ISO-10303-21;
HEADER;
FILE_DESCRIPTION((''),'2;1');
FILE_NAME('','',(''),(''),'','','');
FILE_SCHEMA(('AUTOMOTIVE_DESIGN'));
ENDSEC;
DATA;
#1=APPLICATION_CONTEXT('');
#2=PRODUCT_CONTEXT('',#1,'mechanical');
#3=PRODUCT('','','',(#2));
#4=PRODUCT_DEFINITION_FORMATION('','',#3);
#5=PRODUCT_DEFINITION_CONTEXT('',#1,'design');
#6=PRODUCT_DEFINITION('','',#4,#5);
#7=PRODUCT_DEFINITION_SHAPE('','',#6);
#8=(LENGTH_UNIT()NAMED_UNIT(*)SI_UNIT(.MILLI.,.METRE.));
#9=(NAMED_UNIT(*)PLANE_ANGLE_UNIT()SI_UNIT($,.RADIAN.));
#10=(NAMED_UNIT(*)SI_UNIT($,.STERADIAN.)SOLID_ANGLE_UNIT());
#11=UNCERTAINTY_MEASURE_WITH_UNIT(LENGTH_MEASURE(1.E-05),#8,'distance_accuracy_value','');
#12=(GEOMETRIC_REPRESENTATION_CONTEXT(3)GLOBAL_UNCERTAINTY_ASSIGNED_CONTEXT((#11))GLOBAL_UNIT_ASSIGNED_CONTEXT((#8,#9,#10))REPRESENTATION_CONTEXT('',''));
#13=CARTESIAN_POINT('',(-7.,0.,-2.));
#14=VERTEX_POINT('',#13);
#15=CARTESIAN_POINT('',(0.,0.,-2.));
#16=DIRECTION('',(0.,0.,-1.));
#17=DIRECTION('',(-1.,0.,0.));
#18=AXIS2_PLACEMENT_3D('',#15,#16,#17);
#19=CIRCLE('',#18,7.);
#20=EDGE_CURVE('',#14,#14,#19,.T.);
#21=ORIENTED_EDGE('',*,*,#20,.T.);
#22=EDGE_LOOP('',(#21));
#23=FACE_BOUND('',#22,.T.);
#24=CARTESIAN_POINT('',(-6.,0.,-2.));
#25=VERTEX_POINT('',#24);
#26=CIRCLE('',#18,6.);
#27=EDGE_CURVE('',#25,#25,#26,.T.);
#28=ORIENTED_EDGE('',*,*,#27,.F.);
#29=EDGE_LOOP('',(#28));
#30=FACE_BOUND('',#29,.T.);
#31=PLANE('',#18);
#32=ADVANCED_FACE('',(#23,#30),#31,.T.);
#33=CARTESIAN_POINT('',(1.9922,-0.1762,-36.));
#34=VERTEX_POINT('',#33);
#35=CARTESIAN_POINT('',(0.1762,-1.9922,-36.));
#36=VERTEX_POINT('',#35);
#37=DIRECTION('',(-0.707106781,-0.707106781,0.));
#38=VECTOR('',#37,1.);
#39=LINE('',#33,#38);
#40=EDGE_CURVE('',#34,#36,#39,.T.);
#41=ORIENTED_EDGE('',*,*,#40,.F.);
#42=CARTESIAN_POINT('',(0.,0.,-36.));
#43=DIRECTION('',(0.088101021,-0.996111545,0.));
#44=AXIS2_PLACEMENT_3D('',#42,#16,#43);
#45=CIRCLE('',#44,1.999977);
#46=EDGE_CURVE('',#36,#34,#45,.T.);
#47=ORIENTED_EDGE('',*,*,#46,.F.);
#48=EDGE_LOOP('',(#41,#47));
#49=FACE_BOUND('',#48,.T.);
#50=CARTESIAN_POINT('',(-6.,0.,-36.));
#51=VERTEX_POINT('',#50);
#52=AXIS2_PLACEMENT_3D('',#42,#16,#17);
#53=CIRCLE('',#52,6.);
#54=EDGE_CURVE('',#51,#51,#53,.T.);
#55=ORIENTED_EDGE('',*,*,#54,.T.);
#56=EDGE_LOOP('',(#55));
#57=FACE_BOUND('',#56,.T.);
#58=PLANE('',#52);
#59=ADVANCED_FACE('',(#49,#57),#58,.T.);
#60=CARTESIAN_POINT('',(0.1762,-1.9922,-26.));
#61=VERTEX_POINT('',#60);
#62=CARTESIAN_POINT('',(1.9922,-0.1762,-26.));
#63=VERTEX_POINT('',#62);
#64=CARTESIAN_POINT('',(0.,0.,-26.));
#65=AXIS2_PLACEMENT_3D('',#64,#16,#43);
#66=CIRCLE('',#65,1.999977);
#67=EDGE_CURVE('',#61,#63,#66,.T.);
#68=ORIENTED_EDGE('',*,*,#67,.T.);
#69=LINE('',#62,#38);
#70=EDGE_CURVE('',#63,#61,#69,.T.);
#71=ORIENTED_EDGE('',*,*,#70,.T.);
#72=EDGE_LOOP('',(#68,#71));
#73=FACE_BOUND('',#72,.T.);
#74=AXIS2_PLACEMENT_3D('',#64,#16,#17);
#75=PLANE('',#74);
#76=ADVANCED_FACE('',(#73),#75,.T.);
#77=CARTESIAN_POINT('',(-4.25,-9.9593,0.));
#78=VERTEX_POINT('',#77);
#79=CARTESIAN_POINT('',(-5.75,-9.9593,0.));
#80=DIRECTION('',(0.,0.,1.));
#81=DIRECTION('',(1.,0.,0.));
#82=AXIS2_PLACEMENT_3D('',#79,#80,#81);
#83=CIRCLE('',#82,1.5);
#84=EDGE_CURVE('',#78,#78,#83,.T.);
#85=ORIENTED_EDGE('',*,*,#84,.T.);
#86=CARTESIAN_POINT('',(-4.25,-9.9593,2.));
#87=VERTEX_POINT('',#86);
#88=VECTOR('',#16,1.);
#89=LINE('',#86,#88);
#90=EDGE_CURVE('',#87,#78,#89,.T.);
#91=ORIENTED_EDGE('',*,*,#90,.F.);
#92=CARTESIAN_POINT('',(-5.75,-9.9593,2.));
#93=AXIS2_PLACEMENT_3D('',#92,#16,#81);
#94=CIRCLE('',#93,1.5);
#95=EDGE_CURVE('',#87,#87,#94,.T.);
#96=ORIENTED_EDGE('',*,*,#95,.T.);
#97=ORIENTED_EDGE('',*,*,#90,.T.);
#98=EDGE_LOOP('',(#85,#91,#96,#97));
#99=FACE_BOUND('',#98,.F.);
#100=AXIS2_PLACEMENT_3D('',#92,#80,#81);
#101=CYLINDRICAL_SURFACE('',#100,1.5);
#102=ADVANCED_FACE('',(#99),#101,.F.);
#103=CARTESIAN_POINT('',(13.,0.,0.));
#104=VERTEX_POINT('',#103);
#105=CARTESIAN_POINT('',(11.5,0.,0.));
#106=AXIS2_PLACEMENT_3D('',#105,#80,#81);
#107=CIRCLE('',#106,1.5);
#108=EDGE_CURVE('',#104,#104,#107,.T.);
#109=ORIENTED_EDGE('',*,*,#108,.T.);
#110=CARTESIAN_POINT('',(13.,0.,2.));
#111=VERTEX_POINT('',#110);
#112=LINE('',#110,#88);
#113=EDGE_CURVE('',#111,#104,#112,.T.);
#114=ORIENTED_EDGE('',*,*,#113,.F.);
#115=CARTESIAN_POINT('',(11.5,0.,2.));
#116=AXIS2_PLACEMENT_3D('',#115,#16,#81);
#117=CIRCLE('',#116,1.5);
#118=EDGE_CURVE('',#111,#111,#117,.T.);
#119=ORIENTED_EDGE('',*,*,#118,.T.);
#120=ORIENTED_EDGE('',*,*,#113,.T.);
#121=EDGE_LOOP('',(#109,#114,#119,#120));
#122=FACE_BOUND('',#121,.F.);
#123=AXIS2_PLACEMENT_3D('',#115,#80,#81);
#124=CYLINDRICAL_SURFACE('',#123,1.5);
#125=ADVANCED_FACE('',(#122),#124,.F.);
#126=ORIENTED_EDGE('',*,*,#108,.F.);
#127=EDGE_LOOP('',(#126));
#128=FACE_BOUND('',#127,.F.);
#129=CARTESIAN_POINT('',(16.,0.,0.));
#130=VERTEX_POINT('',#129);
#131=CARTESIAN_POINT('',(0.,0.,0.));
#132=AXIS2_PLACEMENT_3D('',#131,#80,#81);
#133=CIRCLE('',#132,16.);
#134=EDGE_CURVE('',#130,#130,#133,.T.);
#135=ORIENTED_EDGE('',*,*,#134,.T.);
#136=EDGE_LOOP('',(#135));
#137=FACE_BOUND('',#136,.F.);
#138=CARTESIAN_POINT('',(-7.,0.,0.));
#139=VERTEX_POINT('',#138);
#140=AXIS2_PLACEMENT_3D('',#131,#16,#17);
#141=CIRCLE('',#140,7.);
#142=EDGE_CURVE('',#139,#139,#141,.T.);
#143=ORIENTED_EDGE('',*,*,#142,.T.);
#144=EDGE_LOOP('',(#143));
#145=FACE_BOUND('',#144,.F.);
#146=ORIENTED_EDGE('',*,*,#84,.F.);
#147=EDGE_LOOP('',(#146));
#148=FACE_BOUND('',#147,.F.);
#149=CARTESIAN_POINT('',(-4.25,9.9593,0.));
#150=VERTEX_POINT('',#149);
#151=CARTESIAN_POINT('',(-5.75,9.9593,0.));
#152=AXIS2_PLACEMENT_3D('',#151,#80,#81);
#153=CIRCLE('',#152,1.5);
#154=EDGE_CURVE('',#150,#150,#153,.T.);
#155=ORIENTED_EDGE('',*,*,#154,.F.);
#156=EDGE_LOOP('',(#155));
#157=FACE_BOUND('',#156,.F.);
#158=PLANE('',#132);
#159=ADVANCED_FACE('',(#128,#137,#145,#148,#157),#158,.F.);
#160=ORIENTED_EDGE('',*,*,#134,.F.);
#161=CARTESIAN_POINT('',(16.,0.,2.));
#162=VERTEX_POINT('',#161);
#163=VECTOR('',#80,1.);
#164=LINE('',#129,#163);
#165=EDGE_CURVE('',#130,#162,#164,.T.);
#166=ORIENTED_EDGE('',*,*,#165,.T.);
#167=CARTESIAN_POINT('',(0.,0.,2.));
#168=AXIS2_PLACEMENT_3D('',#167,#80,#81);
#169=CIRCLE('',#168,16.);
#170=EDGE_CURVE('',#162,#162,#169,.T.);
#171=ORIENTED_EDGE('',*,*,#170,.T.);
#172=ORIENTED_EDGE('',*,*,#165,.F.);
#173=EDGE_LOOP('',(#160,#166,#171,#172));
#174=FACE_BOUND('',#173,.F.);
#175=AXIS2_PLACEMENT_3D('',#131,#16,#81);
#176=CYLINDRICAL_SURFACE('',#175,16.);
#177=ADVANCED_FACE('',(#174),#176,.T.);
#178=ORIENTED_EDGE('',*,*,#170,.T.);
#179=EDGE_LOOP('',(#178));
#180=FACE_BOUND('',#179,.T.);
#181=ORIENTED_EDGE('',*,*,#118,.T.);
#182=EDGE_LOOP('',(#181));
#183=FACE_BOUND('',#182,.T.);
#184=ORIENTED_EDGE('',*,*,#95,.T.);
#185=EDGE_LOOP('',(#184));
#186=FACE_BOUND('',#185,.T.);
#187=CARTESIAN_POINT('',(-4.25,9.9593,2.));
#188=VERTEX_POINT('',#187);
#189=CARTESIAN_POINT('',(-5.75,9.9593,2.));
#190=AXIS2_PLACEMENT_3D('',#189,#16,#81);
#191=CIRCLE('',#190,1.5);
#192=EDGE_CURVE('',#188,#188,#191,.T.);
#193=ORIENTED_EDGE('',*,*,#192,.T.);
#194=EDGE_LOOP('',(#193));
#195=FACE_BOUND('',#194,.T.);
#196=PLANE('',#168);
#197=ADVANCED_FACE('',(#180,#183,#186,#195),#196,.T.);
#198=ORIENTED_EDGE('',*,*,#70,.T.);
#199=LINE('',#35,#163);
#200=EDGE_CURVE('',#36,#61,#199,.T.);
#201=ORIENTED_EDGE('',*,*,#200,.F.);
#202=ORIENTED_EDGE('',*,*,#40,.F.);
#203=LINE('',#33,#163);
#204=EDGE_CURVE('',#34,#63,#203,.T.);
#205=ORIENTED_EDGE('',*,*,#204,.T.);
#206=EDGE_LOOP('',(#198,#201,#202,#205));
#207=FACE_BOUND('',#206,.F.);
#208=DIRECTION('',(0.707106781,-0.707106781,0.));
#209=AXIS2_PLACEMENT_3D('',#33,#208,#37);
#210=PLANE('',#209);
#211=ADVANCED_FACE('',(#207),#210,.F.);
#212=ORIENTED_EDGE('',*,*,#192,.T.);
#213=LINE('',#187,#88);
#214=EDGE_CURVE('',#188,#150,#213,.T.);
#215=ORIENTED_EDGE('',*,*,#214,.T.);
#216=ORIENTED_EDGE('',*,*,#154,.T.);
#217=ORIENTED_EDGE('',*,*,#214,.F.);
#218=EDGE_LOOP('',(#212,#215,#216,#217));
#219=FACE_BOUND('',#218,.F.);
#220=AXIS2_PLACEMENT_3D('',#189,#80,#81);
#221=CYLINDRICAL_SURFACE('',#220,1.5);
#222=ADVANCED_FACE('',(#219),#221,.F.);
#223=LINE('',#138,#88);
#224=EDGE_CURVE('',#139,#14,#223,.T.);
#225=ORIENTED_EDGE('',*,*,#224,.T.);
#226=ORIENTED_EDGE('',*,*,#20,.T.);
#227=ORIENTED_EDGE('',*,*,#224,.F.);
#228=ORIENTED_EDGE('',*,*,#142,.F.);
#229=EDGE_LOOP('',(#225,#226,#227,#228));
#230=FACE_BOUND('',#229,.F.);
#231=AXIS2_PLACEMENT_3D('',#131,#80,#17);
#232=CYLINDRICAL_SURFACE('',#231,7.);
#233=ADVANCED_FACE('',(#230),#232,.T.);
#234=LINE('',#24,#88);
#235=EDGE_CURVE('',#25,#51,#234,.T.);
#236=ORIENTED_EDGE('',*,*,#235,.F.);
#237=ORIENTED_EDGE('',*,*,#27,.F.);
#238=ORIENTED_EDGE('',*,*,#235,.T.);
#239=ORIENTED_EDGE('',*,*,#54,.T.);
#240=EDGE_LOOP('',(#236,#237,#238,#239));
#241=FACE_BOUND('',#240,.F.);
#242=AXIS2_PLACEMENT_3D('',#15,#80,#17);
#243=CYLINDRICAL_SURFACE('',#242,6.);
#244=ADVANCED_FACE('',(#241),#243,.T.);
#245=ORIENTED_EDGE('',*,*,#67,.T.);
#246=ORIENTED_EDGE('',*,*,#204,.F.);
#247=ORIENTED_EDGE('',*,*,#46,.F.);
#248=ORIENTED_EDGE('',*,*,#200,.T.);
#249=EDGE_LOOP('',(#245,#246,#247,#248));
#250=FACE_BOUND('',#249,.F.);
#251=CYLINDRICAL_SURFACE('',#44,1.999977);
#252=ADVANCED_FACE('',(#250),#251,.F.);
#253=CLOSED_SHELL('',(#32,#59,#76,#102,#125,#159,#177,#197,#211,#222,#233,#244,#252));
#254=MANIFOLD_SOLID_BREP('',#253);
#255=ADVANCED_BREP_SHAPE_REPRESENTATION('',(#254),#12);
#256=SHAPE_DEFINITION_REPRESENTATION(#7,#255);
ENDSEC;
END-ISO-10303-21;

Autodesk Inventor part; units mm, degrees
ref_plane "YZ Plane" through (0, 0, 0) normal (1, 0, 0) x (0, 1, 0)
ref_plane "XZ Plane" through (0, 0, 0) normal (0, 1, 0) x (-1, 0, 0)
ref_plane "XY Plane" through (0, 0, 0) normal (0, 0, 1) x (1, 0, 0)
sketch "Skizze1" plane through (0, 0, 0) normal (0, 0, 1) x (1, 0, 0)
  circle A0 centre (0, 0) radius 16
  dimension "d0" = 32
extrude "Befestigungsfläche" add sketch "Skizze1" along normal blind 2
sketch "Skizze2" plane through (0, 0, 0) normal (0, 0, -1) x (-1, 0, 0)
  circle A0 centre (0, 0) radius 7
  dimension "d4" = 14
extrude "Mittelfläche" add sketch "Skizze2" along normal blind 2
sketch "Skizze3" plane through (0, 0, -2) normal (0, 0, -1) x (-1, 0, 0)
  circle A0 centre (0, 0) radius 6
  dimension "d7" = 12
extrude "Hauptkörper" add sketch "Skizze3" along normal blind 34
sketch "Skizze4" plane through (0, 0, -36) normal (0, 0, -1) x (-1, 0, 0)
  arc A0 (-0.1762, -1.9922) -> (-1.9922, -0.1762) centre (0, 0) ccw
  line L0 (-1.9922, -0.1762) -> (-0.1762, -1.9922)
  dimension "d10" = 4
extrude "Motorschaft (negativ)" cut sketch "Skizze4" against normal blind 10
sketch "Skizze6" plane through (0, 0, 2) normal (0, 0, 1) x (1, 0, 0)
  circle A0 centre (0, 0) radius 7
  line L0 (0, 0) -> (11.5, 0) construction
  line L1 (0, 0) -> (11.5, 0) construction
  circle A1 centre (11.5, 0) radius 1.5
  circle A2 centre (-5.75, 9.9593) radius 1.5
  circle A3 centre (-5.75, -9.9593) radius 1.5
  line L2 (0, 0) -> (11.5, 0)
  line L3 (0, 0) -> (-5.75, -9.9593)
  line L4 (0, 0) -> (11.5, 0) construction
  line L5 (0, 0) -> (-5.75, 9.9593)
  line L6 (0, 0) -> (11.5, 0) construction
  dimension "d14" = 14
  dimension "d21" = 3
  dimension "d22" = 3
  dimension "d23" = 3
  dimension "d26" = 11.5
  dimension "d27" = 11.5
  dimension "d28" = 120
  dimension "d29" = 11.5
  dimension "d30" = 120
extrude "Löcher" cut sketch "Skizze6" against normal blind 2 contours A3 | A2 | A1
properties part number "Motorbefestigung"
